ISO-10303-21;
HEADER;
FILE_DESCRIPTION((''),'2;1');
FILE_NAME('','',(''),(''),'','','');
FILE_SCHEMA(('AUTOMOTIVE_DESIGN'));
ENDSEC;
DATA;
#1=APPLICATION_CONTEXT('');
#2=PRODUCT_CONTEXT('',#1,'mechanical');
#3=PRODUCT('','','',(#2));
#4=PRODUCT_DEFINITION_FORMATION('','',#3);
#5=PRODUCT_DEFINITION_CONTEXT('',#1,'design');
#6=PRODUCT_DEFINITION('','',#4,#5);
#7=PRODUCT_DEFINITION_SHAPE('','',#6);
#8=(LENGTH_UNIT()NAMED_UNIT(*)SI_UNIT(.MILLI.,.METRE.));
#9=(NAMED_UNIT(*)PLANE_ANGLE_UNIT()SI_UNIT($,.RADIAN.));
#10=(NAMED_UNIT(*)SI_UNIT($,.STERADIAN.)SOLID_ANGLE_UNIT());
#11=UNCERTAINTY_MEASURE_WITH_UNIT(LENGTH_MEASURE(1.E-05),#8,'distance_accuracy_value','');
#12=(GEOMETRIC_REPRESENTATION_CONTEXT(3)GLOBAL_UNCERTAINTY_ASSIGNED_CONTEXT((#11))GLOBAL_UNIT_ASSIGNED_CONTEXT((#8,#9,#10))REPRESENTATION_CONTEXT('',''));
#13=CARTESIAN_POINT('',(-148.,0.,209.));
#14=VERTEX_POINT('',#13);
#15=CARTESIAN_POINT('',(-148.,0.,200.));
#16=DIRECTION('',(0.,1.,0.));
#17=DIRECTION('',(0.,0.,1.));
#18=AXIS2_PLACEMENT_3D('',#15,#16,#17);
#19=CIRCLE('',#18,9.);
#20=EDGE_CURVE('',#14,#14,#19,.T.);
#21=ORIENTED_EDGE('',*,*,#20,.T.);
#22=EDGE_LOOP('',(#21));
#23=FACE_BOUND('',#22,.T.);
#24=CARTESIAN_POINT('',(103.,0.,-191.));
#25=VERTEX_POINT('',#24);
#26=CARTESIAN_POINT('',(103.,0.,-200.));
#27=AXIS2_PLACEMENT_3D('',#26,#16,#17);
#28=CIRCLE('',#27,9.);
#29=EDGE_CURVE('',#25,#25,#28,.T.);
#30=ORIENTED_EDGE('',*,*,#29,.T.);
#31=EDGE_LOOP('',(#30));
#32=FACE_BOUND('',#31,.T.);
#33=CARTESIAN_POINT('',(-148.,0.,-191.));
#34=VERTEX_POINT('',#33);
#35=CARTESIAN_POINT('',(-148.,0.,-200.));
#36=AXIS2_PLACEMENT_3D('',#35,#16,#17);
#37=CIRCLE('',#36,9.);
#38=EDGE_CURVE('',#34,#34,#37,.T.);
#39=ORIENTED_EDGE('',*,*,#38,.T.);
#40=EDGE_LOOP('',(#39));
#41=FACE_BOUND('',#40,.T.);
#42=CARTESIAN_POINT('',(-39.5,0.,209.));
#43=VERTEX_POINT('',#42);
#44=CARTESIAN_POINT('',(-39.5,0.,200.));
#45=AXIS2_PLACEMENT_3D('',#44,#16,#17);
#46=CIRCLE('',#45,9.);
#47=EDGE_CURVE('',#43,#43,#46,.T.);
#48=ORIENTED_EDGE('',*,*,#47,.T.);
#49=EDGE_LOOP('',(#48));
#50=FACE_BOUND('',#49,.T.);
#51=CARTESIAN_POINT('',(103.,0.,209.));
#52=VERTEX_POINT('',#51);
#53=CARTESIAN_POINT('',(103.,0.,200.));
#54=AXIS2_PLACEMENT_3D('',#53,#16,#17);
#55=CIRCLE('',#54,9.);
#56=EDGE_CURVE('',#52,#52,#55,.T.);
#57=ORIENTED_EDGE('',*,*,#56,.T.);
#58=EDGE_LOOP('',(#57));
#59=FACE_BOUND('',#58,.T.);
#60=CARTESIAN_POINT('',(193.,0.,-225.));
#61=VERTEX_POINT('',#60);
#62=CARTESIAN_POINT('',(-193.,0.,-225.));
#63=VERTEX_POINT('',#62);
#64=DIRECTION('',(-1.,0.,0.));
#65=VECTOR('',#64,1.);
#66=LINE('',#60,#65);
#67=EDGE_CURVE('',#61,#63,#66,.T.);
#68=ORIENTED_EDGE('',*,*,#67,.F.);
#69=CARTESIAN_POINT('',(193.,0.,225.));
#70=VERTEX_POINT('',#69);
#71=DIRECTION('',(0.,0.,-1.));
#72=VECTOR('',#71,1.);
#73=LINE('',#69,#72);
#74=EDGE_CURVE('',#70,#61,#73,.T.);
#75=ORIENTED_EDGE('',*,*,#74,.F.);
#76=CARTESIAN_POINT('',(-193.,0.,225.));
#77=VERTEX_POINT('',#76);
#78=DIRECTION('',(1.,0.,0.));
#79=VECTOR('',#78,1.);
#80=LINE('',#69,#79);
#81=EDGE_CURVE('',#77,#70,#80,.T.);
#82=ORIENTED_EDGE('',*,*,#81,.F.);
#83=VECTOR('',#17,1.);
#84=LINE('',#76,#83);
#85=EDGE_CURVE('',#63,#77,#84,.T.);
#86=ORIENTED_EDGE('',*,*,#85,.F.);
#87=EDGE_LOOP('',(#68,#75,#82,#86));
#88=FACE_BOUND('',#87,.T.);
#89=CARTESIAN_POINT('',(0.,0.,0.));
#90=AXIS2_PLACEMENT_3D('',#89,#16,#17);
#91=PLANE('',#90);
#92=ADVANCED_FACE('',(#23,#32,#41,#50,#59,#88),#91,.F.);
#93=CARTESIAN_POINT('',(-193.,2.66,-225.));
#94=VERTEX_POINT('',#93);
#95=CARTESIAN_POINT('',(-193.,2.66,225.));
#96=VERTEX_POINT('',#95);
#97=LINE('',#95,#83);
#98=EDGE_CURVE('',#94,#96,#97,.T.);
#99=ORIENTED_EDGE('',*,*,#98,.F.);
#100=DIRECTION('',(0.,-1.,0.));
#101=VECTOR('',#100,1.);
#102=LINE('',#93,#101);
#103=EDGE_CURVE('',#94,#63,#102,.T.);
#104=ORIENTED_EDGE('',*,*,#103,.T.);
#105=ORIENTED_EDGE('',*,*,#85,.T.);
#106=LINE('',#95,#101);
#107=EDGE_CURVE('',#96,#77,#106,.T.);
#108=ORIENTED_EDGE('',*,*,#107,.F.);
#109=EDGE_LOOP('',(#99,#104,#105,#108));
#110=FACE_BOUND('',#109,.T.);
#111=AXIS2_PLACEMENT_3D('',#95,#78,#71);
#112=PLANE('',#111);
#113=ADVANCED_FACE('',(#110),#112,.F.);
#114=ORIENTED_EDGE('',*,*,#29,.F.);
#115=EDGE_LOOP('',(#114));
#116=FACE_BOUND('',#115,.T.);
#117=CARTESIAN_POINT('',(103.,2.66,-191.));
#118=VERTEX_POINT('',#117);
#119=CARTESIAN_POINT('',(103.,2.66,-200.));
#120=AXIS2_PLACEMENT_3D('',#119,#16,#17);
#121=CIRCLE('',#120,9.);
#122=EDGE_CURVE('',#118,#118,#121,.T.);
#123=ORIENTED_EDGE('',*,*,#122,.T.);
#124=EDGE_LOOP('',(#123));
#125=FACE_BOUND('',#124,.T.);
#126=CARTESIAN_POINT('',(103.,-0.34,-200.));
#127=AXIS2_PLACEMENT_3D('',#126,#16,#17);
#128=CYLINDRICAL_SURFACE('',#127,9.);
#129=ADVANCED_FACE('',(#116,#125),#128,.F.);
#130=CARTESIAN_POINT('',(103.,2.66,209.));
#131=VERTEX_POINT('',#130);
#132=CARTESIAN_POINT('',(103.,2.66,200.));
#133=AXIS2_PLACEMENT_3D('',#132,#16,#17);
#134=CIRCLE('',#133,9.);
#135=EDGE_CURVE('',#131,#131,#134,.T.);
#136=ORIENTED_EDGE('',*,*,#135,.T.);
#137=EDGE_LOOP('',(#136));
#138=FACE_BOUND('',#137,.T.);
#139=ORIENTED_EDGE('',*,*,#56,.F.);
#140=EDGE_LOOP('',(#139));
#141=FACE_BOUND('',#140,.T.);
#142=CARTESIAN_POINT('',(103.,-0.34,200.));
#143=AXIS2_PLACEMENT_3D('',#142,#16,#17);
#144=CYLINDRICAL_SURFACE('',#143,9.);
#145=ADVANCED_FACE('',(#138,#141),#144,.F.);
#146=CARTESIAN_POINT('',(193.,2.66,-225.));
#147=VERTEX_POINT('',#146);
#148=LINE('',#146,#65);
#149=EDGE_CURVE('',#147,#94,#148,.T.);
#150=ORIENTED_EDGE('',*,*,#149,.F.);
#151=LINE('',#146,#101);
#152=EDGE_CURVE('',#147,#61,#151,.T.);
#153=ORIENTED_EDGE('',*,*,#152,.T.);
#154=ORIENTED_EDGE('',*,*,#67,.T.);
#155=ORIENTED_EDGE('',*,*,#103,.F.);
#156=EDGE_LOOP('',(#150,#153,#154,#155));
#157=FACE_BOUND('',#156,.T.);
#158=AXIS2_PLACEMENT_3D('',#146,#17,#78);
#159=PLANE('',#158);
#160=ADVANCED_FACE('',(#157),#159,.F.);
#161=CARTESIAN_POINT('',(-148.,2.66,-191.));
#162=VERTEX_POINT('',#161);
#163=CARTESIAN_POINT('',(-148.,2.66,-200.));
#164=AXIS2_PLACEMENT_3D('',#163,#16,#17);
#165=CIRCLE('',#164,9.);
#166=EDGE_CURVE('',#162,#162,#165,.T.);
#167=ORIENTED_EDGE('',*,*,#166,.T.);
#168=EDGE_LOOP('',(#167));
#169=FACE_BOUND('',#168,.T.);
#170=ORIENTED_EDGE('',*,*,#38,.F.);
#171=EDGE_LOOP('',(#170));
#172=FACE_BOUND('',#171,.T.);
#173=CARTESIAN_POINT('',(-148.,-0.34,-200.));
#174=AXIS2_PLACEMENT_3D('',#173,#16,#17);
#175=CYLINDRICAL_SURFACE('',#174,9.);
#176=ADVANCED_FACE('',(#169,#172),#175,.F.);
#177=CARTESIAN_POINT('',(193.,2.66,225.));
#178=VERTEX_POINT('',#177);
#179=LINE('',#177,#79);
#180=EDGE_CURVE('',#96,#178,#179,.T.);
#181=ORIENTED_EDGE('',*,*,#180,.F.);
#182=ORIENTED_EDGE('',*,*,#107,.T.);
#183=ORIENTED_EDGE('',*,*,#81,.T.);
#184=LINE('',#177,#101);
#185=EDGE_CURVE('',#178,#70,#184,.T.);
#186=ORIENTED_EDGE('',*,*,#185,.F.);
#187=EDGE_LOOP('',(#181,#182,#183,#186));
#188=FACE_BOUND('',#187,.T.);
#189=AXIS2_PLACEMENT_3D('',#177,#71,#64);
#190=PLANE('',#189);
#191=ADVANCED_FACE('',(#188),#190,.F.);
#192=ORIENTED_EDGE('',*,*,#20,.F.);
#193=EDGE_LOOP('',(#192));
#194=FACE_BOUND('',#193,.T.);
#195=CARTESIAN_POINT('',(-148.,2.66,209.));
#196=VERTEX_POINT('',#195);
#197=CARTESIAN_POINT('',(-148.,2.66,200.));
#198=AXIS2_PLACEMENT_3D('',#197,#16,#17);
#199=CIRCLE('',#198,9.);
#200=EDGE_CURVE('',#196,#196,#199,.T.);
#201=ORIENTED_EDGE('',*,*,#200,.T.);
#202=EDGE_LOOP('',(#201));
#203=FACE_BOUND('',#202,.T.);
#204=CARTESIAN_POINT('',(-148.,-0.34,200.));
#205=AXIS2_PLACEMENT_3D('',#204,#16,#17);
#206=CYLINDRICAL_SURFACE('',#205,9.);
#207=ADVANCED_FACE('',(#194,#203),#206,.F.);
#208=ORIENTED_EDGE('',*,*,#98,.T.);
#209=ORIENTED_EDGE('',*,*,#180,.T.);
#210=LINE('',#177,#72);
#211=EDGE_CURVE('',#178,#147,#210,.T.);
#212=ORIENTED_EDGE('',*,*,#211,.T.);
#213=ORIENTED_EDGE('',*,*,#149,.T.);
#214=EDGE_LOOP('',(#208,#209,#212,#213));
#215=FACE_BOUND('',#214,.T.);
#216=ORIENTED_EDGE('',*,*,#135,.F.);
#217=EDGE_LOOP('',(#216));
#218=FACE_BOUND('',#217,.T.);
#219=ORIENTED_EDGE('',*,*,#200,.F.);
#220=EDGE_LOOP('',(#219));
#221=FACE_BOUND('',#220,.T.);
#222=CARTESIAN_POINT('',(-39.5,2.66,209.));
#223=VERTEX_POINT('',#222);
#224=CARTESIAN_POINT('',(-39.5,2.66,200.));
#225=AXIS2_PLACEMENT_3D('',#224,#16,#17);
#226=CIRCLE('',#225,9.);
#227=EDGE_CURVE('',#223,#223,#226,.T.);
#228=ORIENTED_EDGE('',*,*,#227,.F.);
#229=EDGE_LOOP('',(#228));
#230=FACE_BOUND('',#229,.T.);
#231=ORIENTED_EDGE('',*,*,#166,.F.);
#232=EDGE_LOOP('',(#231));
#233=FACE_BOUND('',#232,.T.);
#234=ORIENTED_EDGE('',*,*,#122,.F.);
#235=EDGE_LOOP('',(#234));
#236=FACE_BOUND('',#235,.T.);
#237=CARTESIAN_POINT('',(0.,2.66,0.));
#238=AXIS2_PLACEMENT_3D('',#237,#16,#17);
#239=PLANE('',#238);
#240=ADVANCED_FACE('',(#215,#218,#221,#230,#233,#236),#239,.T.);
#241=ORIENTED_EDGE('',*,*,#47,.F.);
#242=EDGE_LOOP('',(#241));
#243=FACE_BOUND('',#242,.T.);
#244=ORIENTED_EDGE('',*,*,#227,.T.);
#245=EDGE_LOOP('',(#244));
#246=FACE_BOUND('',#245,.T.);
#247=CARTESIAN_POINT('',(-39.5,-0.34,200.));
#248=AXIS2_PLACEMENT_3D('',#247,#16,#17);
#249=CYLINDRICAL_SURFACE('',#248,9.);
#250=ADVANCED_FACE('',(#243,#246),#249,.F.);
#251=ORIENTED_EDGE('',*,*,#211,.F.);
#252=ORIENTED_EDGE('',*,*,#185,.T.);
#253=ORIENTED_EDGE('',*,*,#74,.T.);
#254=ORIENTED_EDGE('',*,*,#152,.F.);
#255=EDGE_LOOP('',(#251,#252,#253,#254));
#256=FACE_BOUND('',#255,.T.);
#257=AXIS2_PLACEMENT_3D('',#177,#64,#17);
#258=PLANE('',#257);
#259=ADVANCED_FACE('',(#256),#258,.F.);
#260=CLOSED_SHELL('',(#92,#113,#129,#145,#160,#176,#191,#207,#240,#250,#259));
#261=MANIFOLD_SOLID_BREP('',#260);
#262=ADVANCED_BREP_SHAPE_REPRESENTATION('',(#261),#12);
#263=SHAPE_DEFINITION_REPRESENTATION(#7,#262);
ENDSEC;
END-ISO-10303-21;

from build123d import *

# Parameters (mm, degrees)
CROQUIS1_W              = 386
CROQUIS1_H              = 450
SALIENTE_EXTRUIR1_DEPTH = 2.66
CROQUIS2_R              = 9
CORTAR_EXTRUIR1_DEPTH   = 3


with BuildPart() as part:
    # Croquis1 → Saliente-Extruir1 (new body)
    with BuildSketch(Plane(origin=(0, 0, 0), x_dir=(1, 0, 0), z_dir=(0, 1, 0))):
        Rectangle(CROQUIS1_W, CROQUIS1_H)
    extrude(amount=SALIENTE_EXTRUIR1_DEPTH)

    # Croquis2 → Cortar-Extruir1 (cut)
    with BuildSketch(Plane(origin=(0, 2.66, 0), x_dir=(1, 0, 0), z_dir=(0, 1, 0))):
        with Locations(Location((-148, 200, 0), (0, 0, 270))):
            Circle(CROQUIS2_R)
        with Locations(Location((103, 200, 0), (0, 0, 270))):
            Circle(CROQUIS2_R)
        with Locations(Location((-148, -200, 0), (0, 0, 270))):
            Circle(CROQUIS2_R)
        with Locations(Location((-39.5, -200, 0), (0, 0, 270))):
            Circle(CROQUIS2_R)
        with Locations(Location((103, -200, 0), (0, 0, 270))):
            Circle(CROQUIS2_R)
    extrude(amount=-CORTAR_EXTRUIR1_DEPTH, mode=Mode.SUBTRACT)


solid = part.part
